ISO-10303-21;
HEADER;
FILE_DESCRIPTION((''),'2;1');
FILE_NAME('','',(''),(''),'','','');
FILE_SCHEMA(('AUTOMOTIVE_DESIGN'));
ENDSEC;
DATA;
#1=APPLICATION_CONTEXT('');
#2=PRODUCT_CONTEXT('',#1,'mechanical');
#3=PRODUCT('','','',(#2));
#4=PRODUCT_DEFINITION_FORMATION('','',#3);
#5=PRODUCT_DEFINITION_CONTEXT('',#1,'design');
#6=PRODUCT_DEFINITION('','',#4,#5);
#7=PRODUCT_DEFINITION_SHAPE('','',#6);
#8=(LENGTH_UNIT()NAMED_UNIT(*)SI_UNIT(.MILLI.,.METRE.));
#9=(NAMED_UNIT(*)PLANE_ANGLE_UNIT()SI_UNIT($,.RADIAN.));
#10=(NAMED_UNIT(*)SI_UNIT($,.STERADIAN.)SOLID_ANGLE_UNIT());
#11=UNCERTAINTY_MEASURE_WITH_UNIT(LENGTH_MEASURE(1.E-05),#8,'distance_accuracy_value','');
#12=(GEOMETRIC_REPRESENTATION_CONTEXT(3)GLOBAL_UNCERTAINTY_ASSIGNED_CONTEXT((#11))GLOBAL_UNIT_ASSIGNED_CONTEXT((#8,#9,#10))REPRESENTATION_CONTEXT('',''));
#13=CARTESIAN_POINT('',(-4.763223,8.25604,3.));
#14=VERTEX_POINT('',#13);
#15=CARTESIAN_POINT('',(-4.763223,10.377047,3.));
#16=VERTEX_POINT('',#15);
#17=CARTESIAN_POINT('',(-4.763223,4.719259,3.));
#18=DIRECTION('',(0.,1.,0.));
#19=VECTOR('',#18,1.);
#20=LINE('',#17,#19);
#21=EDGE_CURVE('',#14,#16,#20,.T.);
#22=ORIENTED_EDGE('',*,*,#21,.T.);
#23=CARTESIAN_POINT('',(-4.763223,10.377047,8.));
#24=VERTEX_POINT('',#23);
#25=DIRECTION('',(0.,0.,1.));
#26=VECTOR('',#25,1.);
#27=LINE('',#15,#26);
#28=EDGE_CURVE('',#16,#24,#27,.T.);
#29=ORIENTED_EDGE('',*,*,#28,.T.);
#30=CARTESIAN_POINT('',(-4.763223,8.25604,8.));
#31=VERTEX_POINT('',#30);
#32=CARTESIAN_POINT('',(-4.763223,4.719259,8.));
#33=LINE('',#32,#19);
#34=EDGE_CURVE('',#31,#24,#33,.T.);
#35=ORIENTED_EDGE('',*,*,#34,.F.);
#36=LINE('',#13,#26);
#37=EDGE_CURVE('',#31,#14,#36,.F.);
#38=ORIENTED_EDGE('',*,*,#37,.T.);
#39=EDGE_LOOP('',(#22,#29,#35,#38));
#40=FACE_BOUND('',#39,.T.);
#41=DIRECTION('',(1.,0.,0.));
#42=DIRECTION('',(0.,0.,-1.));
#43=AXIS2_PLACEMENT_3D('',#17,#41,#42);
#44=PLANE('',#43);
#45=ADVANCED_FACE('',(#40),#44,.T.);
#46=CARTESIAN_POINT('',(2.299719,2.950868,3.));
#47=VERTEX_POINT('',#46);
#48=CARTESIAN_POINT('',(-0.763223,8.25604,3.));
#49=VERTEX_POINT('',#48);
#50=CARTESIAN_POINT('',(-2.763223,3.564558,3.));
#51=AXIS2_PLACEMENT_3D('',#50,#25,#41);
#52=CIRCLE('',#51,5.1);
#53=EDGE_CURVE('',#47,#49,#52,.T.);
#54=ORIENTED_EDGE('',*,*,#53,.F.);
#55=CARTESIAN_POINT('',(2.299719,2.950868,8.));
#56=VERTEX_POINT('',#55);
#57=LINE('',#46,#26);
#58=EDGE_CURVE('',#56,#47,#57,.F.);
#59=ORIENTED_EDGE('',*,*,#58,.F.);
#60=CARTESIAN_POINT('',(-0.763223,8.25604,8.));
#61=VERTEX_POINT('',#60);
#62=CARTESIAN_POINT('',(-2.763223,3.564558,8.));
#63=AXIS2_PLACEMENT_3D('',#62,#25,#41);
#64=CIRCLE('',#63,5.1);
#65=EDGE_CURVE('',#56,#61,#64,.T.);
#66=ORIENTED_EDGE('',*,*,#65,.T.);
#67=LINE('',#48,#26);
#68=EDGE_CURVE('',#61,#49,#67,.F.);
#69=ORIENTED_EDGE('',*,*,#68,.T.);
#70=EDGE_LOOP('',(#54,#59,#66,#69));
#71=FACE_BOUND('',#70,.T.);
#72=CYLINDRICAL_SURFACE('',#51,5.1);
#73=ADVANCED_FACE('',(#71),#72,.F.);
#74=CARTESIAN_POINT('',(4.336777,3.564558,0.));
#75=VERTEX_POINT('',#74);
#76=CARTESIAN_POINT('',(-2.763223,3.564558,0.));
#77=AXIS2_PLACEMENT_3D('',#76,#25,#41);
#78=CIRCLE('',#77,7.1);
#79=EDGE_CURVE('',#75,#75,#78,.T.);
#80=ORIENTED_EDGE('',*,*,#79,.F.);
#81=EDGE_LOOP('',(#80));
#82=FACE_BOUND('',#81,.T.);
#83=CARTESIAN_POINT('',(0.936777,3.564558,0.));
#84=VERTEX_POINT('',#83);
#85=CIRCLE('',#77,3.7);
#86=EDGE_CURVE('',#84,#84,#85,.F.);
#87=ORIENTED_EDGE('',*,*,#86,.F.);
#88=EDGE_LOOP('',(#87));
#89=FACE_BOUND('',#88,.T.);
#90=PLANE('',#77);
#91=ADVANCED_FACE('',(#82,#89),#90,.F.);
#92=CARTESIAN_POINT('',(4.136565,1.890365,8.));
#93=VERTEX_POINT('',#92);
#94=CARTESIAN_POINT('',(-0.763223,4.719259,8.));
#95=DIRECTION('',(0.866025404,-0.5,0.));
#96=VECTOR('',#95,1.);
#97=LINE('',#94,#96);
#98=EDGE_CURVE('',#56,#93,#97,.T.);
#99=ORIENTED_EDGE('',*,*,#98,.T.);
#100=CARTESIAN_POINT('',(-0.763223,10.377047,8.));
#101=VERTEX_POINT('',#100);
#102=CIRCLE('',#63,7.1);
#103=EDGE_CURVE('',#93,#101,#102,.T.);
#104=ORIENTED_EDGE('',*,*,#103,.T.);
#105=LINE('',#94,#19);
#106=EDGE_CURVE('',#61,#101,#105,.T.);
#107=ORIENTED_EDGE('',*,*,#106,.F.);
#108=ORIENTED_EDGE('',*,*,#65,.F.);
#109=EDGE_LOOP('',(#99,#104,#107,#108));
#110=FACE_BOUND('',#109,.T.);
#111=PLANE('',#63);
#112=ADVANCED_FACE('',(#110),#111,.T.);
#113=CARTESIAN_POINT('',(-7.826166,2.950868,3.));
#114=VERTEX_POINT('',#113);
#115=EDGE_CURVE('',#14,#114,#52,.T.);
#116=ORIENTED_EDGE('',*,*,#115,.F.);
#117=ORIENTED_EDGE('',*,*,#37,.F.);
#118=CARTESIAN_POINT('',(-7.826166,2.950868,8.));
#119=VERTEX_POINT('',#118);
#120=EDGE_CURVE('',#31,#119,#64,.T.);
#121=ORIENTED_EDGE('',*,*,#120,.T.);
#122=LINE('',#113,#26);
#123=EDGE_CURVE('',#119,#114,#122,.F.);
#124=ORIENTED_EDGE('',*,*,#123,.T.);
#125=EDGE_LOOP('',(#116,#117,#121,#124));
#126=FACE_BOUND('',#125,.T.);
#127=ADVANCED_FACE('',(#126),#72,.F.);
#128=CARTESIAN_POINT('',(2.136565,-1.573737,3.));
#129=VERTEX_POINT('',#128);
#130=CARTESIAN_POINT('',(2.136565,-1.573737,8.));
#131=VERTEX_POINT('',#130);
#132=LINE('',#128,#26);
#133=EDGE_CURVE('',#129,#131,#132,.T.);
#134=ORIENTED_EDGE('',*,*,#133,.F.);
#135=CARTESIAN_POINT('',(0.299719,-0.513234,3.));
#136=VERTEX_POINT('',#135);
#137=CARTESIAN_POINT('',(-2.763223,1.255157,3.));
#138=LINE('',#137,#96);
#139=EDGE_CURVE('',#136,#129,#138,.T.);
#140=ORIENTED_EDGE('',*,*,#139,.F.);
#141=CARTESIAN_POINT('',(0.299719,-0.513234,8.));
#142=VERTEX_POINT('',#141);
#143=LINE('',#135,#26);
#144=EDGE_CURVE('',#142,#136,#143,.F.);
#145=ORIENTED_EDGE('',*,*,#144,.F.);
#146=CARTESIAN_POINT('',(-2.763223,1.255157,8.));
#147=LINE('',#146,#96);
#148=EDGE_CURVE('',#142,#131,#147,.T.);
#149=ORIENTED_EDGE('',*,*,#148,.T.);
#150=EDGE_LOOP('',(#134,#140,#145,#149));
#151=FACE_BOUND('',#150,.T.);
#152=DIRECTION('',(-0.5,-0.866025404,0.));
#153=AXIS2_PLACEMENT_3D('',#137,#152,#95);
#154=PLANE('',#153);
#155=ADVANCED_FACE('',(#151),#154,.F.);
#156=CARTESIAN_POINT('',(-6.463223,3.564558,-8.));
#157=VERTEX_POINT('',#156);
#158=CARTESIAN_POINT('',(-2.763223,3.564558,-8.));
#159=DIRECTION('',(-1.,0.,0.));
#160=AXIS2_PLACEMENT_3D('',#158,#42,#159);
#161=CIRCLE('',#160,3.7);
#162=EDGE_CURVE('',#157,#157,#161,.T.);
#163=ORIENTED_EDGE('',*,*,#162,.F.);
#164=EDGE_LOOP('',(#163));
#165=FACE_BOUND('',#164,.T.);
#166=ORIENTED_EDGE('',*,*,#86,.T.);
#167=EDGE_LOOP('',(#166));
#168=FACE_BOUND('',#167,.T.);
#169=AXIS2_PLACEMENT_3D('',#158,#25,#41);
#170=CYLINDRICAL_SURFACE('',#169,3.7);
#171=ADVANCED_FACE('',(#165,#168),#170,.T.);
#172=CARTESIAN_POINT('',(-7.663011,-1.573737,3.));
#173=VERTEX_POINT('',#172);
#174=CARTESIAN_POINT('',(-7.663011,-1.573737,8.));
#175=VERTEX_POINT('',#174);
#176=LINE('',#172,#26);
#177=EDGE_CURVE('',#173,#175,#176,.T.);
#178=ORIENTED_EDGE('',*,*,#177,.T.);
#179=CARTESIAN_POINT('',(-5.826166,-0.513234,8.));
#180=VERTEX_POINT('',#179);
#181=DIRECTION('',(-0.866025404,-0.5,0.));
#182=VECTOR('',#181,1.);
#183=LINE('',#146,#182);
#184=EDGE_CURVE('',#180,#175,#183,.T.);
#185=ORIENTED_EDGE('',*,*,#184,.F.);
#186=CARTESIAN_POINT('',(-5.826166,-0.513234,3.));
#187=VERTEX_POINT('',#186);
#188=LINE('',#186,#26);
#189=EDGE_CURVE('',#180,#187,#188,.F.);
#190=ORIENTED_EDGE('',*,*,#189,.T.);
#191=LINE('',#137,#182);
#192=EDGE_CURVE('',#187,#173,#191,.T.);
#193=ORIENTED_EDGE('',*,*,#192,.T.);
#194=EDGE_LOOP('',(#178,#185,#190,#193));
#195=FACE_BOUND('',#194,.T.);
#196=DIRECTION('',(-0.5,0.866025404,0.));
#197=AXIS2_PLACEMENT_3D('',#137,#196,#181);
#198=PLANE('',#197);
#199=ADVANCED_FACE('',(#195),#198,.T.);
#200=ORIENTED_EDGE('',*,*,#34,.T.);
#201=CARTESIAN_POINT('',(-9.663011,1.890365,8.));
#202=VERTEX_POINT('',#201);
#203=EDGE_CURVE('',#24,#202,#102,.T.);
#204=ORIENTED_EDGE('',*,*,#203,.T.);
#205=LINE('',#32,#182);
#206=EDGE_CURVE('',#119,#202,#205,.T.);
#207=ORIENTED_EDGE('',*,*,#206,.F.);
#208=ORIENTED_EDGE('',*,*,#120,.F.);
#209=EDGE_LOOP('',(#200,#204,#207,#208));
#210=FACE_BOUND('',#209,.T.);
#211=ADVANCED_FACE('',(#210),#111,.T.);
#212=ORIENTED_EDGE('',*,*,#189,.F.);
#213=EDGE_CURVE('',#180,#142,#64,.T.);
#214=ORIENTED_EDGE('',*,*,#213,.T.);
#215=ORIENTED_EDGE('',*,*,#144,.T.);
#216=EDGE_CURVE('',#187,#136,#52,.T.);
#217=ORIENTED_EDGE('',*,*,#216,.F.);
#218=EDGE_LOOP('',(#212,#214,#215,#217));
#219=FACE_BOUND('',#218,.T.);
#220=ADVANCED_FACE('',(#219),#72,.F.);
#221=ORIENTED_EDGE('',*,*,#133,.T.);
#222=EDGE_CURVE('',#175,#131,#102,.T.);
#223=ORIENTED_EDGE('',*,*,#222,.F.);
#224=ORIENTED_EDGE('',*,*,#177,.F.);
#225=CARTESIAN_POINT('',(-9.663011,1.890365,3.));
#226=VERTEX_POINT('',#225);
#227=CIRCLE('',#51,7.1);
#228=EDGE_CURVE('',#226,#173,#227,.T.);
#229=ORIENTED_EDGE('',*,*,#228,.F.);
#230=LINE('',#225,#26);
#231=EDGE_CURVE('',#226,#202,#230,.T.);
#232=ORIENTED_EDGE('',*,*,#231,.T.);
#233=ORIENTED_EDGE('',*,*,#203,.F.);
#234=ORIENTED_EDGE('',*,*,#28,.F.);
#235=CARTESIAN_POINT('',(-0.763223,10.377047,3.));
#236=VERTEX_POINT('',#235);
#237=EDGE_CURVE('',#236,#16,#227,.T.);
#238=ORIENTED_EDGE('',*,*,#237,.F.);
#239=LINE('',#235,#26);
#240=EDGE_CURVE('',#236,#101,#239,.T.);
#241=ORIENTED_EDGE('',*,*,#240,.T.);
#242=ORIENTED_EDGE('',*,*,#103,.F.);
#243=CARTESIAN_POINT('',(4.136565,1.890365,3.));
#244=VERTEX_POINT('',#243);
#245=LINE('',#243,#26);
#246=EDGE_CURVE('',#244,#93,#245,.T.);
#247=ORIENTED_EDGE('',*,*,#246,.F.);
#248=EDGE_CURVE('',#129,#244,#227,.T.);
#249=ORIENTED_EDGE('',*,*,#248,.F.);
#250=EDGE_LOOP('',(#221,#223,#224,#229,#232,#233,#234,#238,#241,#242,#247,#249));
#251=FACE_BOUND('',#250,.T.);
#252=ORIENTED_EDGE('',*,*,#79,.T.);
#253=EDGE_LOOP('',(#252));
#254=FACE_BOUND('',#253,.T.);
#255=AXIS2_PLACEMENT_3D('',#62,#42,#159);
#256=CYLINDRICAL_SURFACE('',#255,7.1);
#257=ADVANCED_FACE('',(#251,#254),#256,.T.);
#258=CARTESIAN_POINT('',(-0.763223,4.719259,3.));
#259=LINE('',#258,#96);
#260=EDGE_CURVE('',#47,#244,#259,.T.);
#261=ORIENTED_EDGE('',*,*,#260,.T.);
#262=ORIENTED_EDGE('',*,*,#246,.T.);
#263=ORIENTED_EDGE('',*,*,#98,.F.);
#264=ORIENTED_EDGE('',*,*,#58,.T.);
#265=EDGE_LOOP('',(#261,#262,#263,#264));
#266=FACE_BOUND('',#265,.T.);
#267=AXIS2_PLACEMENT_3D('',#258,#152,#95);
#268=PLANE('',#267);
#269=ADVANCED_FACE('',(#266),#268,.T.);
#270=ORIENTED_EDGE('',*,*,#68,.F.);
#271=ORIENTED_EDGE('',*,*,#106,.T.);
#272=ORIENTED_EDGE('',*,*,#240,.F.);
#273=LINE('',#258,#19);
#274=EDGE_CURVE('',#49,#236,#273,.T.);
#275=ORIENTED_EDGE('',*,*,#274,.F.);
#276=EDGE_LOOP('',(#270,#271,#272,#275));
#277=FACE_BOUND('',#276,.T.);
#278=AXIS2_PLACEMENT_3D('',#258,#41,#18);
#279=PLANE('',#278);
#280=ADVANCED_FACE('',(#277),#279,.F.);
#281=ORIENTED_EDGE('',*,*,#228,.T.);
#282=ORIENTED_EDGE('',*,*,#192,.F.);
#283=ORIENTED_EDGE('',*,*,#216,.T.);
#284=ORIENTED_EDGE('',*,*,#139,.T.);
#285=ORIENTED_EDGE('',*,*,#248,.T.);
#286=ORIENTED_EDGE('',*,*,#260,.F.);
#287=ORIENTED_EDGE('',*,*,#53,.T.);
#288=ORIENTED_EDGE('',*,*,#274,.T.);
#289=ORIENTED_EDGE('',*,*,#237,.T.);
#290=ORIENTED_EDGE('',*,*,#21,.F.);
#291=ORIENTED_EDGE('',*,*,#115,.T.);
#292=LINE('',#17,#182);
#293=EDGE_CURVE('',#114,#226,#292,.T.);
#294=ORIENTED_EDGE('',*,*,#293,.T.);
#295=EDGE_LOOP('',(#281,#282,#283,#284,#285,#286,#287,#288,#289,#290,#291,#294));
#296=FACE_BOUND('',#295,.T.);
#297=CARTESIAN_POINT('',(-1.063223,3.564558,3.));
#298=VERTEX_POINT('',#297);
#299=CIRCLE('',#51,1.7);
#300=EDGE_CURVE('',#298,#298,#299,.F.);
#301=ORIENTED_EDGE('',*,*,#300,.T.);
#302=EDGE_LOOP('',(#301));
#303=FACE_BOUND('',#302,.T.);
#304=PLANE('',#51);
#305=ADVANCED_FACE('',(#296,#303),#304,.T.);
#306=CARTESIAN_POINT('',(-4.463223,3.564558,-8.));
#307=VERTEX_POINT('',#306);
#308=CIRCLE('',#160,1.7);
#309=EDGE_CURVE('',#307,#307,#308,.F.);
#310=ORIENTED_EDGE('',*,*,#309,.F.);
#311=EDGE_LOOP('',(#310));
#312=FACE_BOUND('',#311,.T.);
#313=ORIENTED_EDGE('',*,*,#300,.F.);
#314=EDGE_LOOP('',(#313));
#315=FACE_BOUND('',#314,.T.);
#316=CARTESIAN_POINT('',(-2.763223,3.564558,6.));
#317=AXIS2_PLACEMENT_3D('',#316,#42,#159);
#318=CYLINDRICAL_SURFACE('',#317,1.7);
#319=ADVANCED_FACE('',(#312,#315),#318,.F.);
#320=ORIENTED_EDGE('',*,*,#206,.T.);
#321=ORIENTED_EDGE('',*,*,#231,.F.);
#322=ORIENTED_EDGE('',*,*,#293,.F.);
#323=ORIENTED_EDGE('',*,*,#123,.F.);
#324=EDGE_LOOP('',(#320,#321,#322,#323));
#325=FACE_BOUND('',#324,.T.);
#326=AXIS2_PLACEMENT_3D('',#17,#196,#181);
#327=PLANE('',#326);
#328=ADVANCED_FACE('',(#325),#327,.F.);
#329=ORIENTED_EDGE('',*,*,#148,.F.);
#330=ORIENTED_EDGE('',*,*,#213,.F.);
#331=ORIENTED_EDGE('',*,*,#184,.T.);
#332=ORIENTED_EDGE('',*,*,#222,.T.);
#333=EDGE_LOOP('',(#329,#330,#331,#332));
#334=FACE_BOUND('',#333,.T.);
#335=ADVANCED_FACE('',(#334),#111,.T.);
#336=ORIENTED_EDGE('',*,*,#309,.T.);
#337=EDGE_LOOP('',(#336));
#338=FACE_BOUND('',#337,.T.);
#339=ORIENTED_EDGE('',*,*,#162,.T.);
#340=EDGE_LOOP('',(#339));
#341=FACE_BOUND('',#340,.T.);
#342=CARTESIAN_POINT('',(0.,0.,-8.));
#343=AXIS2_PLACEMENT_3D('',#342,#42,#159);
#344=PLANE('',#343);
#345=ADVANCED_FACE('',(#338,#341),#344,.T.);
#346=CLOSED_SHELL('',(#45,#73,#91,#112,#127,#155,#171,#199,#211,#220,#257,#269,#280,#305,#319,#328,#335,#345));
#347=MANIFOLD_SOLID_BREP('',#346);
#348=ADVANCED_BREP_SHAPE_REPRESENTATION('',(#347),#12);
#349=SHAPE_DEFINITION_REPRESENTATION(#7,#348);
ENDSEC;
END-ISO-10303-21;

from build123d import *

# Parameters (mm, degrees)
SKETCH_1_R          = 7.1
EXTRUDE_1_DEPTH     = 8
SKETCH_2_R          = 1.7
CUT_EXTRUDE_1_DEPTH = 6
SKETCH_3_R          = 5.1
CUT_EXTRUDE_2_DEPTH = 5
SKETCH_4_R          = 3.7
SKETCH_4_R_2        = 1.7
EXTRUDE_2_DEPTH     = 8
CUT_EXTRUDE_4_DEPTH = 5


with BuildPart() as part:
    # 草图1 → 凸台-拉伸1 (new body)
    with BuildSketch(Plane.XY):
        with Locations((-2.763223282, 3.564558034)):
            Circle(SKETCH_1_R)
    extrude(amount=EXTRUDE_1_DEPTH)

    # 草图2 → 切除-拉伸1 (cut)
    with BuildSketch(Plane(origin=(0, 0, 0), x_dir=(-1, 0, 0), z_dir=(0, 0, -1))):
        with Locations((2.763223282, 3.564558034)):
            Circle(SKETCH_2_R)
    extrude(amount=-CUT_EXTRUDE_1_DEPTH, mode=Mode.SUBTRACT)

    # 草图3 → 切除-拉伸2 (cut)
    with BuildSketch(Plane.XY.offset(8)):
        with Locations((-2.763223282, 3.564558034)):
            Circle(SKETCH_3_R)
    extrude(amount=-CUT_EXTRUDE_2_DEPTH, mode=Mode.SUBTRACT)

    # 草图4 → 凸台-拉伸2 (add)
    with BuildSketch(Plane(origin=(0, 0, 0), x_dir=(-1, 0, 0), z_dir=(0, 0, -1))):
        with Locations((2.763223282, 3.564558034)):
            Circle(SKETCH_4_R)
        with Locations((2.763223282, 3.564558034)):
            Circle(SKETCH_4_R_2, mode=Mode.SUBTRACT)
    extrude(amount=EXTRUDE_2_DEPTH)

    # 草图5 → 切除-拉伸4 (cut)
    with BuildSketch(Plane.XY.offset(8)):
        with BuildLine():
            Line((-0.763223282, 4.719258572), (-0.763223282, 10.377046566))
            ThreePointArc((-0.763223282, 10.377046566), (-2.763223282, 10.664558034), (-4.763223282, 10.377046566))
            Line((-4.763223282, 10.377046566), (-4.763223282, 4.719258572))
            Line((-4.763223282, 4.719258572), (-9.663011414, 1.890364575))
            ThreePointArc((-9.663011414, 1.890364575), (-8.912003649, 0.014558034), (-7.663011414, -1.57373704))
            Line((-7.663011414, -1.57373704), (-2.763223282, 1.255156957))
            Line((-2.763223282, 1.255156957), (2.13656485, -1.57373704))
            ThreePointArc((2.13656485, -1.57373704), (3.385557085, 0.014558034), (4.13656485, 1.890364575))
            Line((4.13656485, 1.890364575), (-0.763223282, 4.719258572))
        make_face()
    extrude(amount=-CUT_EXTRUDE_4_DEPTH, mode=Mode.SUBTRACT)


solid = part.part
